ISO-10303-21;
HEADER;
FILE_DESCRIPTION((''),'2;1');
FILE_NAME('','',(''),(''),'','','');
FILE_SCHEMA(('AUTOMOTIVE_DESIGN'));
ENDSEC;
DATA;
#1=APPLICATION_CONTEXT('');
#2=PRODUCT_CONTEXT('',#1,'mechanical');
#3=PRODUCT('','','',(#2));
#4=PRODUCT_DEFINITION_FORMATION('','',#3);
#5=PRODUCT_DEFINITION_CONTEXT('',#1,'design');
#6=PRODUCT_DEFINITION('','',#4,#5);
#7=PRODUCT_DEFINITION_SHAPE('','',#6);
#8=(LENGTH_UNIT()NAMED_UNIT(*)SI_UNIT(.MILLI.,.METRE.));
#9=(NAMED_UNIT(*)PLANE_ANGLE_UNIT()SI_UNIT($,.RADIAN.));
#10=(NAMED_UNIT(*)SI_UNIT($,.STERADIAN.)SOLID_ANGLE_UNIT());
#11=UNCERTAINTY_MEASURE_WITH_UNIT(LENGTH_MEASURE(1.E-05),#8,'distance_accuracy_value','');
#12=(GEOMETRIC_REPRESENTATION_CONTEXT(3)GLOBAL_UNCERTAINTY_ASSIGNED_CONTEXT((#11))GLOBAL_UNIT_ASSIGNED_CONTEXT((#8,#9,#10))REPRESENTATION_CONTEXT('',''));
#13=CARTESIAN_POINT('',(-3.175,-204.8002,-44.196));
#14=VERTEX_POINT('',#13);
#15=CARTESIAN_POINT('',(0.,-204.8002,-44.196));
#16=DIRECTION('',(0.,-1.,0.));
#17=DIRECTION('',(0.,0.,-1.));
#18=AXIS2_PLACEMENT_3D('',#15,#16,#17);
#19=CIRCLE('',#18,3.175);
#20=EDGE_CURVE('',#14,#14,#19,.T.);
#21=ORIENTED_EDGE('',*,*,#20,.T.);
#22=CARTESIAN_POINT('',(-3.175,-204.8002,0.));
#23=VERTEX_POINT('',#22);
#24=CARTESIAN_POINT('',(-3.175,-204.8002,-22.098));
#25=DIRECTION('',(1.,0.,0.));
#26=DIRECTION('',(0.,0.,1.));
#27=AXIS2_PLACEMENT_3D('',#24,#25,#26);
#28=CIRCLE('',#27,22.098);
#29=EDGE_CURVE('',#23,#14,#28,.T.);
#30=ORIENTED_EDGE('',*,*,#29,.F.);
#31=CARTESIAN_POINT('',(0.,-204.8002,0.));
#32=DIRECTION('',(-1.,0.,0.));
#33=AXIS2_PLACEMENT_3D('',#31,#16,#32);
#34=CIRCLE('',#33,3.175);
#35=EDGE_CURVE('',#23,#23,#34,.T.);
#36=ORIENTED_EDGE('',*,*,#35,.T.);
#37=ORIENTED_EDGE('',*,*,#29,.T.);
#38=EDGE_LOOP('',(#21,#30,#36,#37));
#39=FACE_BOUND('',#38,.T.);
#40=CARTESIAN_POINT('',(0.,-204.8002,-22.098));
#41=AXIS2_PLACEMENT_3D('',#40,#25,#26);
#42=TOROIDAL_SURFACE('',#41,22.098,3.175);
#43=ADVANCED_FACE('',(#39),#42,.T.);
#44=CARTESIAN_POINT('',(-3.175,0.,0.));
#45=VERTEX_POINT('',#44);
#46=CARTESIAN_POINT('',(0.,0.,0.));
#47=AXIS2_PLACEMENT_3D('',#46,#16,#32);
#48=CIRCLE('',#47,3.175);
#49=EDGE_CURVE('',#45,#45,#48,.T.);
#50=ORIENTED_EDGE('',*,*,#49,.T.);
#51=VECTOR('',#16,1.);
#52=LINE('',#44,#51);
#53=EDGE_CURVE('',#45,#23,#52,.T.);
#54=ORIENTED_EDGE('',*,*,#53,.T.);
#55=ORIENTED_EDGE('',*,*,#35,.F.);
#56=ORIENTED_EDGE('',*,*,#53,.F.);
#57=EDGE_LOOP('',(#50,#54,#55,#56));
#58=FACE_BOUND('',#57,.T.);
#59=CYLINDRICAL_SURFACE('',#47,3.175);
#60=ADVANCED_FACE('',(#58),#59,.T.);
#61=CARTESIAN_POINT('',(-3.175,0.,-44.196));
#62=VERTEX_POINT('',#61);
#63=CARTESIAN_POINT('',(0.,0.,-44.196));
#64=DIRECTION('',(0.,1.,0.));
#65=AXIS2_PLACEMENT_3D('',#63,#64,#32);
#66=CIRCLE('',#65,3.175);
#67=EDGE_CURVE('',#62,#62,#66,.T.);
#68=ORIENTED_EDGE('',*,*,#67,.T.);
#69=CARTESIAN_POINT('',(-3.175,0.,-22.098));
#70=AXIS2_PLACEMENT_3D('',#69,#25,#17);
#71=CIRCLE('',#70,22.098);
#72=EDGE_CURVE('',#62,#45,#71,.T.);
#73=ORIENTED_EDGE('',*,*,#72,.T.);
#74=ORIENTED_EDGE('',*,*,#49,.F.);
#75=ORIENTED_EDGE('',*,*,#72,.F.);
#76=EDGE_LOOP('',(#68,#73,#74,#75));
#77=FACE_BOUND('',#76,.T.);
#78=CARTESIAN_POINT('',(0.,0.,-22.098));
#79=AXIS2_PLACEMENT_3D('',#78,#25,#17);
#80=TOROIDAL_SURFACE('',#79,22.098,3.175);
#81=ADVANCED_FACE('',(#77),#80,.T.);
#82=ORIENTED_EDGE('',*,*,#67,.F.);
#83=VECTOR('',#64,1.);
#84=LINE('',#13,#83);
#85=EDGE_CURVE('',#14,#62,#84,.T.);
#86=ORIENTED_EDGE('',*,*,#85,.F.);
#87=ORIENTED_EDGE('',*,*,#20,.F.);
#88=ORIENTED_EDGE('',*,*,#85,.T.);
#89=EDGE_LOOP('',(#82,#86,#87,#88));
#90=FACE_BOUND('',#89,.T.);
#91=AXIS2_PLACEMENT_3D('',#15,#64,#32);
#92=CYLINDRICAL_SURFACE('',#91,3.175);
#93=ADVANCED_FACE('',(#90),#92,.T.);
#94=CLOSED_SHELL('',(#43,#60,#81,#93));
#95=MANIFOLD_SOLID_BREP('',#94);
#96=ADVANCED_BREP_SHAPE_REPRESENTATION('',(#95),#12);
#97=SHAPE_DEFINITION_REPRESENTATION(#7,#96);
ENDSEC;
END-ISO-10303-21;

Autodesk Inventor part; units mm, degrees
ref_plane "YZ Plane" through (0, 0, 0) normal (1, 0, 0) x (0, 1, 0)
ref_plane "XZ Plane" through (0, 0, 0) normal (0, 1, 0) x (-1, 0, 0)
ref_plane "XY Plane" through (0, 0, 0) normal (0, 0, 1) x (1, 0, 0)
sketch "Sketch1" plane through (0, 0, 0) normal (0, 1, 0) x (-1, 0, 0)
  circle A0 centre (0, 0) radius 3.175
  dimension "d0" = 6.35
sketch "Sketch2" plane through (0, 0, 0) normal (1, 0, 0) x (0, 1, 0)
  line L0 (0, -22.098) -> (-204.8002, -22.098) construction
  line L1 (0, 0) -> (-204.8002, 0)
  line L2 (-204.8002, -44.196) -> (0, -44.196)
  arc A0 (0, -44.196) -> (0, 0) centre (0, -22.098) ccw
  arc A1 (-204.8002, 0) -> (-204.8002, -44.196) centre (-204.8002, -22.098) ccw
  point P0 (-102.4001, -22.098)
  dimension "d1" = 204.8002
  dimension "d2" = 44.196
sweep "Sweep1" add profiles "Sketch1" path "Sketch2"
properties part number "15102898-16-P-0308" material "Polyurethane Foam"
